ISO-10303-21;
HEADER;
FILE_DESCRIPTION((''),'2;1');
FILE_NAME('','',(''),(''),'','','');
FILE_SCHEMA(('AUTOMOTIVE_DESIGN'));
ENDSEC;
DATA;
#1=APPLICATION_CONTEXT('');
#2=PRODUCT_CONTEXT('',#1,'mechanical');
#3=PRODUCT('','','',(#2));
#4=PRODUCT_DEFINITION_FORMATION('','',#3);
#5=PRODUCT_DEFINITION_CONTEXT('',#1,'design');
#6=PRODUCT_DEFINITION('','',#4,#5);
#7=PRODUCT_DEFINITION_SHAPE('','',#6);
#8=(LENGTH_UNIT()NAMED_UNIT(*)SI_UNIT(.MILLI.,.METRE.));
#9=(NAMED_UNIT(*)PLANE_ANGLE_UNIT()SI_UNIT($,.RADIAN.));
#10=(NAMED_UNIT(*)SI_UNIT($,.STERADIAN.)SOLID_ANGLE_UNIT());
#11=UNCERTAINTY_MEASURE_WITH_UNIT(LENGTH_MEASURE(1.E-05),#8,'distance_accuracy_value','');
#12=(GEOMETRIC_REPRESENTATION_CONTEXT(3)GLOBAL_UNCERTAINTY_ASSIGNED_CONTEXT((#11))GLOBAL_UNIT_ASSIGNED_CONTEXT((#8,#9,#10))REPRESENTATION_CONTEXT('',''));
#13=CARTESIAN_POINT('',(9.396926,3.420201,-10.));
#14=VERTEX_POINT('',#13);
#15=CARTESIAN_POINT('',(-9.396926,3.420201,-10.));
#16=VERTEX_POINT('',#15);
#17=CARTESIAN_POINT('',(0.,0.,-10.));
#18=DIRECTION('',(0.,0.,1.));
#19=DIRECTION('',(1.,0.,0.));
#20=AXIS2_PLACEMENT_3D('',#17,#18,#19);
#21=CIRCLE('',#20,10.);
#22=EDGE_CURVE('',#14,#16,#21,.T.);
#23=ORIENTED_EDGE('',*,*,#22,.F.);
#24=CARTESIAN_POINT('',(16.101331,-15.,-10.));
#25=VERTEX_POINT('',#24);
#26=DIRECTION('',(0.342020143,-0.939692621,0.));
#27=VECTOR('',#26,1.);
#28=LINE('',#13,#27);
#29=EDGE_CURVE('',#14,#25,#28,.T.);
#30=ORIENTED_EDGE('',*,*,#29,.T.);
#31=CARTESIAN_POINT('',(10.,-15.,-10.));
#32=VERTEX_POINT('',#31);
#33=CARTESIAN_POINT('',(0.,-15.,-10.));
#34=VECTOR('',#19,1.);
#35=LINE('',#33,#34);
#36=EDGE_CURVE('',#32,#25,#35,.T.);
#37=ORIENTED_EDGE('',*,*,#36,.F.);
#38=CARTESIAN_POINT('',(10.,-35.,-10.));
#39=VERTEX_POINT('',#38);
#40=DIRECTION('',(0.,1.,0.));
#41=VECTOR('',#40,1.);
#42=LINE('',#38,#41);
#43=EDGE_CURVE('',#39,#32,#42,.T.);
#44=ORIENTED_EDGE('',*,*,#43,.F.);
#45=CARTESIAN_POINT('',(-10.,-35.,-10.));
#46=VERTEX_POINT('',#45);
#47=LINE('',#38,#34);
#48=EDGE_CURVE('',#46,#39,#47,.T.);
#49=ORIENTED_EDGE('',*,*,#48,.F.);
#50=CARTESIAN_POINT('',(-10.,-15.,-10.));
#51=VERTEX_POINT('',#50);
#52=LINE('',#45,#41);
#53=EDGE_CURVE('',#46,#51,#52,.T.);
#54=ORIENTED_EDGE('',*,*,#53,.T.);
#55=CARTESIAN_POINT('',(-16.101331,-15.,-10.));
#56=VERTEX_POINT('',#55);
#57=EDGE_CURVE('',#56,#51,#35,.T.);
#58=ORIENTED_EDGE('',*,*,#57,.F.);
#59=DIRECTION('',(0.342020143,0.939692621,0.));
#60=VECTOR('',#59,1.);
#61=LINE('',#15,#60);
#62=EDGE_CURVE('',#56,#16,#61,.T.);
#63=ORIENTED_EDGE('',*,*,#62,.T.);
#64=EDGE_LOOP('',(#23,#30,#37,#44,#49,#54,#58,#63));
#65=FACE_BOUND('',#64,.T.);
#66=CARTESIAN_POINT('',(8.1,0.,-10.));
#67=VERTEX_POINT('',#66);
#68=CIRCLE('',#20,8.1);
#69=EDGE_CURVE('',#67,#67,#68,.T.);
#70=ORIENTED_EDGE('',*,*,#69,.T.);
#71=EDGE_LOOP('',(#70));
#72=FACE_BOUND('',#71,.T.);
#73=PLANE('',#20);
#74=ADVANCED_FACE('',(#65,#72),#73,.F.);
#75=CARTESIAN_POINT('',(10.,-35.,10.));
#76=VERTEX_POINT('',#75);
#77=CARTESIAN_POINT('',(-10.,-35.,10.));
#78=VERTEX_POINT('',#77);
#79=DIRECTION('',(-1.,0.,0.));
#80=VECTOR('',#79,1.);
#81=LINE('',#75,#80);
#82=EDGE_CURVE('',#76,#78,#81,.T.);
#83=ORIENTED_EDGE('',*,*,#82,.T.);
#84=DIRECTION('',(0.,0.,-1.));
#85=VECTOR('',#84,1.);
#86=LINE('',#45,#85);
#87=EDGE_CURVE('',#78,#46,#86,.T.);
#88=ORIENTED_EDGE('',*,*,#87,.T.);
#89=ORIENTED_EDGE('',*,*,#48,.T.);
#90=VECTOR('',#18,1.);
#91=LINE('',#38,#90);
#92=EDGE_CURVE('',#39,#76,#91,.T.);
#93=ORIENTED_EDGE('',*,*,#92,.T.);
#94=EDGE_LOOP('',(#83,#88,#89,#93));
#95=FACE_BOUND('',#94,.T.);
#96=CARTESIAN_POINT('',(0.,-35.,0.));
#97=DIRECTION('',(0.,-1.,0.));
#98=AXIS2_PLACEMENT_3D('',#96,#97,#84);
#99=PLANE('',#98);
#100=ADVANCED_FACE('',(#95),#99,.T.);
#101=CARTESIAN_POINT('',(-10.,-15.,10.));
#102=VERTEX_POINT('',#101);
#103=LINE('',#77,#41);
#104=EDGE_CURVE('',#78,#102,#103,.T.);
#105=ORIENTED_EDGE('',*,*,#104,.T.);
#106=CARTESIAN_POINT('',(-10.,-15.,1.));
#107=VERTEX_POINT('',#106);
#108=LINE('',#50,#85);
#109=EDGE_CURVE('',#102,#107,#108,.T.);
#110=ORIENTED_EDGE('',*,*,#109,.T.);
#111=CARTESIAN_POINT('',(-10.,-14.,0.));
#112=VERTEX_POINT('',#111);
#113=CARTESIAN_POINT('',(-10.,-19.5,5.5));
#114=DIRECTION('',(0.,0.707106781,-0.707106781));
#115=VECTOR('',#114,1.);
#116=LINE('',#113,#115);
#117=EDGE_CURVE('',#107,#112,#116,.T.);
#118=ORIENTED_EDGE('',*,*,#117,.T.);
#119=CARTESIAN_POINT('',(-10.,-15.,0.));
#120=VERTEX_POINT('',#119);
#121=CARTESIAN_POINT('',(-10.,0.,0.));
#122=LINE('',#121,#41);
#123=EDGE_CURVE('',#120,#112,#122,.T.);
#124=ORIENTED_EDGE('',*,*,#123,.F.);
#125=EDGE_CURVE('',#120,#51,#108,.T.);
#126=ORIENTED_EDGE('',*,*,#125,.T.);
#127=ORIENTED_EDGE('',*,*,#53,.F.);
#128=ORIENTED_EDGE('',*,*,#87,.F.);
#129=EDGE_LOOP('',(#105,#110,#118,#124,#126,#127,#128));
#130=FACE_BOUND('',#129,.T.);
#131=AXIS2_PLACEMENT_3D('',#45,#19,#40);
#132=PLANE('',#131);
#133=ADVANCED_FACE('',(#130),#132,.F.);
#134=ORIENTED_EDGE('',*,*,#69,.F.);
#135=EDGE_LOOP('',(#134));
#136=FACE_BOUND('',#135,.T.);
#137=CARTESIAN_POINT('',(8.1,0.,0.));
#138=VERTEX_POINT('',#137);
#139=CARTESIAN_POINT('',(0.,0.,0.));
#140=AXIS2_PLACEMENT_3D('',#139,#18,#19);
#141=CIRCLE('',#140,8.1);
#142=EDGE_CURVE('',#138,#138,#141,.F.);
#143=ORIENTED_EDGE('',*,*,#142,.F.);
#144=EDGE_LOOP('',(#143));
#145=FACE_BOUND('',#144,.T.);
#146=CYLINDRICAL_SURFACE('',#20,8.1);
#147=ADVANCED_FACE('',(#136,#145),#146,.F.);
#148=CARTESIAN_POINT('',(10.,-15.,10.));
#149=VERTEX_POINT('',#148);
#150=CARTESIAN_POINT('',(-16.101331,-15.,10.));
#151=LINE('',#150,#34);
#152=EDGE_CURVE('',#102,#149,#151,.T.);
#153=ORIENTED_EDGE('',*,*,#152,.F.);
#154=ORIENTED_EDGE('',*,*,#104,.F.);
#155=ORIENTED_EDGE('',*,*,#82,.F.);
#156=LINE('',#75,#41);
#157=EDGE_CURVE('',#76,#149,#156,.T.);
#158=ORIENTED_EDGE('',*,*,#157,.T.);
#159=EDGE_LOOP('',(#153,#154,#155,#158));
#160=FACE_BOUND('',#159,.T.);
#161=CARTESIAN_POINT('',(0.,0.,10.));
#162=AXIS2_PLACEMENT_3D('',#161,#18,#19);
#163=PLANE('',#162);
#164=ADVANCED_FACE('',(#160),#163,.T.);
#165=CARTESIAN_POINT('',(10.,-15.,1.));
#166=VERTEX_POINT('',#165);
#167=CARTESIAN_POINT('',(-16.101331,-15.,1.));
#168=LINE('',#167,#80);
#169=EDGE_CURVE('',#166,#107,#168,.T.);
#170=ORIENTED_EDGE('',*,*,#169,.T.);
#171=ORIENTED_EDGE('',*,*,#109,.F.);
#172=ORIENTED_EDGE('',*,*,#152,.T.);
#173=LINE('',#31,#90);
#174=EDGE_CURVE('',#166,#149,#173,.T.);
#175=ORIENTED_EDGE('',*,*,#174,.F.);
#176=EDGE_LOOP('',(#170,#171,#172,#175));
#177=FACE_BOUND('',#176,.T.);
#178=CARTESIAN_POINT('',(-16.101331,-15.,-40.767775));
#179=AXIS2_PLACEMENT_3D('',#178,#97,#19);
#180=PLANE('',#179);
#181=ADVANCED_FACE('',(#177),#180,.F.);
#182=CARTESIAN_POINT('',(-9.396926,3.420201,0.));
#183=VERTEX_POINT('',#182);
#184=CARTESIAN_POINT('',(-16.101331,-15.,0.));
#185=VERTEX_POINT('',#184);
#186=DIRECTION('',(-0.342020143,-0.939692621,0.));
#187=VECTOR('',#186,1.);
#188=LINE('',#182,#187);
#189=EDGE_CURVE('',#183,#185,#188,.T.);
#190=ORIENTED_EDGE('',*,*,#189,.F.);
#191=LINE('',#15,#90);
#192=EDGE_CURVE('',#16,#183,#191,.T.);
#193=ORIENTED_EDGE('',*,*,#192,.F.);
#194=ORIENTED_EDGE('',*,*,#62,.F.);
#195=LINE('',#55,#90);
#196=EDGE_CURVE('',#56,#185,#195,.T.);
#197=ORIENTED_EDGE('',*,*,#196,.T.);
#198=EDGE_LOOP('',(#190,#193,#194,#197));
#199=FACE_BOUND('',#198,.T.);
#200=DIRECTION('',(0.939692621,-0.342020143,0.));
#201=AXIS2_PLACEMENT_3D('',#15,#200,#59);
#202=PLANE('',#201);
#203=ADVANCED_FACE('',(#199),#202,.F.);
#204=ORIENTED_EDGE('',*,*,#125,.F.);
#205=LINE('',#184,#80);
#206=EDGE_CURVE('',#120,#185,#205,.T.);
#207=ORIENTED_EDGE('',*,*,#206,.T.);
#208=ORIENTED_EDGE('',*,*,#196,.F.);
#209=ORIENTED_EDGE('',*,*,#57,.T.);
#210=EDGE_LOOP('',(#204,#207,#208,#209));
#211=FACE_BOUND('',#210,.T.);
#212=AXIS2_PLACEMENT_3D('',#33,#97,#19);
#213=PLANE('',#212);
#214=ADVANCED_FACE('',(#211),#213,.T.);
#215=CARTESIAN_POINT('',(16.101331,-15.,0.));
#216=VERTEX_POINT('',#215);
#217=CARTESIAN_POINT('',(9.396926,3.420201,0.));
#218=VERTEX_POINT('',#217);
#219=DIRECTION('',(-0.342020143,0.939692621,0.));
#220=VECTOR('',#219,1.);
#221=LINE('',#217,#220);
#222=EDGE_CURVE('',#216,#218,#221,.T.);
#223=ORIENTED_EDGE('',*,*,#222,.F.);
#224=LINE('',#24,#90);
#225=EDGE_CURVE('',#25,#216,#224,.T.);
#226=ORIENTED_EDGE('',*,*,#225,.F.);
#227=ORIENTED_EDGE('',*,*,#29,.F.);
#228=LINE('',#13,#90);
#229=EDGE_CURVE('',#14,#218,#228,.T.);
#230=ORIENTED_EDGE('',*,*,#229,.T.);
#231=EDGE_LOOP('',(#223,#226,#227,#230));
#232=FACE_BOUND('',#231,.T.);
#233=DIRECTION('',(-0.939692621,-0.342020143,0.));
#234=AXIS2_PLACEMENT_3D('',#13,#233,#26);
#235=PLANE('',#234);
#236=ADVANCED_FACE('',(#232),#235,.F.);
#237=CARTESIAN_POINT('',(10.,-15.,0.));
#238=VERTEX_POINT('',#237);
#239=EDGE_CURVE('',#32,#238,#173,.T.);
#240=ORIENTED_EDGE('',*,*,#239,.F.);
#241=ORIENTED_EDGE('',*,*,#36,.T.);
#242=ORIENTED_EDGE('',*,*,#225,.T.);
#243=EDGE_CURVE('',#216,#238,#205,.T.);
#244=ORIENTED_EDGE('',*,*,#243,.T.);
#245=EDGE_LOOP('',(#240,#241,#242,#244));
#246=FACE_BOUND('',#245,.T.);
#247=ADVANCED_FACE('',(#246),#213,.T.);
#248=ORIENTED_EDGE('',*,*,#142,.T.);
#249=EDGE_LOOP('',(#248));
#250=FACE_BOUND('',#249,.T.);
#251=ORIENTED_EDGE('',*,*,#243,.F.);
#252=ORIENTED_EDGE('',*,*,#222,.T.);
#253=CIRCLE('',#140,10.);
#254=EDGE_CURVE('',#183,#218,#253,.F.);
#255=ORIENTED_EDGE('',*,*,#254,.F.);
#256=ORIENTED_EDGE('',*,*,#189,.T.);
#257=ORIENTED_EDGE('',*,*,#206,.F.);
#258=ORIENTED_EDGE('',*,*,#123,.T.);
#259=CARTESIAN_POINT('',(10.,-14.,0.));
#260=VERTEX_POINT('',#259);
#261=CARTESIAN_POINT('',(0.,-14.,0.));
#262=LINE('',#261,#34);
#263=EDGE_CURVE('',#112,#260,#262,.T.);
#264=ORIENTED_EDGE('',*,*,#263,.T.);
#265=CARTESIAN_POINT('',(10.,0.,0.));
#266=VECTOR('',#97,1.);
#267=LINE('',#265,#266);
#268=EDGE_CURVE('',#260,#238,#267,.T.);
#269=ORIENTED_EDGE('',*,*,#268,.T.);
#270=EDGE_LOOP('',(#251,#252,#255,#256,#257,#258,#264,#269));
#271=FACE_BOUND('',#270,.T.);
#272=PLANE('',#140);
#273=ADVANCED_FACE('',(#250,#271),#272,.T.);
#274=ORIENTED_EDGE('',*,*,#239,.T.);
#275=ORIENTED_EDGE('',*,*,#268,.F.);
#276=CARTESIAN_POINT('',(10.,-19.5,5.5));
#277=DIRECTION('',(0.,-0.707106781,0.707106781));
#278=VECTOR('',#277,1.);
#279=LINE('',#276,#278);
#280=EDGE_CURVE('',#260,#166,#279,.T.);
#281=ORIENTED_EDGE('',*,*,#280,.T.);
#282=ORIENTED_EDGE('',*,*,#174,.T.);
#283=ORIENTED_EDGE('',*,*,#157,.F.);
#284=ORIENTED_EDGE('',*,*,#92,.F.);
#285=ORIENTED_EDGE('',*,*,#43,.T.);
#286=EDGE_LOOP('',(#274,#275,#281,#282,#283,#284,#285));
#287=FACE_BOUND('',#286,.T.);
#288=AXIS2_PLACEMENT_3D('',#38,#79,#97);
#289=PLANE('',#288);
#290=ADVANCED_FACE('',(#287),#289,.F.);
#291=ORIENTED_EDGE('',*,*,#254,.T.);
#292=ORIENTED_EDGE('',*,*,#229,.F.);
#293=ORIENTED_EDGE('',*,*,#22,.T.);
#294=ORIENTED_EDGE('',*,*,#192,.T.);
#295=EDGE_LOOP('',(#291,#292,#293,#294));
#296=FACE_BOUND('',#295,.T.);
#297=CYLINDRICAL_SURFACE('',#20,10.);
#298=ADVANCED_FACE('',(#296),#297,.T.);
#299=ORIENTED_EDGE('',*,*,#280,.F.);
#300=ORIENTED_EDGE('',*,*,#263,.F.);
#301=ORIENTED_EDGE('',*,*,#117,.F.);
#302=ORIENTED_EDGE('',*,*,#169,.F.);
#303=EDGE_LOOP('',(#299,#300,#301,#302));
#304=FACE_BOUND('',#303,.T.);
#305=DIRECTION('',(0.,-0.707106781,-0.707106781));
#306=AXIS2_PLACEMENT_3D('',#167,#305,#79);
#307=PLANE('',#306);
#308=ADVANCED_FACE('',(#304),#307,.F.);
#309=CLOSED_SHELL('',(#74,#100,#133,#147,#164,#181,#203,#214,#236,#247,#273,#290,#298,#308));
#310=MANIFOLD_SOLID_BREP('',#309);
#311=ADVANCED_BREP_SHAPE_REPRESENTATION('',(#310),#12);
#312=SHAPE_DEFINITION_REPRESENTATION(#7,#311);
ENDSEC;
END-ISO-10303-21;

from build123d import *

# Parameters (mm, degrees)
SKETCH_1_R      = 10
SKETCH_1_R_2    = 8.1
EXTRUDE_1_DEPTH = 10
SKETCH_2_R      = 8.1
SKETCH_2_R_2    = 6.6
EXTRUDE_2_DEPTH = 10
SKETCH_3_W      = 20
SKETCH_3_H      = 20
EXTRUDE_3_DEPTH = 20
SKETCH1_W       = 32.202662478
SKETCH1_H       = 25
EXTRUDE1_DEPTH  = 10
CHAMFER1_SIZE   = 1


with BuildPart() as part:
    # 스케치1 → 보스-돌출1 (new, symmetric)
    # profile 1 of 2: a face of its own
    with BuildSketch(Plane.XY):
        Circle(SKETCH_1_R)
        Circle(SKETCH_1_R_2, mode=Mode.SUBTRACT)
    # profile 2 of 2: a face of its own
    with BuildSketch(Plane.XY):
        with BuildLine():
            Line((-9.396926208, 3.420201433), (-16.101331239, -15))
            Line((-16.101331239, -15), (16.101331239, -15))
            Line((16.101331239, -15), (9.396926208, 3.420201433))
            ThreePointArc((9.396926208, 3.420201433), (9.84807753, 1.736481777), (10, 0))
            ThreePointArc((10, 0), (-1.736481777, -9.84807753), (-9.396926208, 3.420201433))
        make_face()
    extrude(amount=EXTRUDE_1_DEPTH, both=True)

    # 스케치2 → 보스-돌출2 (add)
    with BuildSketch(Plane.XY):
        Circle(SKETCH_2_R)
        Circle(SKETCH_2_R_2, mode=Mode.SUBTRACT)
    extrude(amount=EXTRUDE_2_DEPTH)

    # 스케치3 → 보스-돌출3 (add)
    with BuildSketch(Plane.XZ.offset(15)):
        Rectangle(SKETCH_3_W, SKETCH_3_H)
    extrude(amount=EXTRUDE_3_DEPTH)

    # Sketch1 → Extrude1 (cut)
    with BuildSketch(Plane.XY.offset(10)):
        with Locations((0, -2.5)):
            Rectangle(SKETCH1_W, SKETCH1_H)
    extrude(amount=-EXTRUDE1_DEPTH, mode=Mode.SUBTRACT)

    # Chamfer1
    chamfer1_edges = [part.edges().sort_by_distance(p)[0] for p in [
        (0, -15, 0),
    ]]
    chamfer(chamfer1_edges, length=CHAMFER1_SIZE)


solid = part.part
